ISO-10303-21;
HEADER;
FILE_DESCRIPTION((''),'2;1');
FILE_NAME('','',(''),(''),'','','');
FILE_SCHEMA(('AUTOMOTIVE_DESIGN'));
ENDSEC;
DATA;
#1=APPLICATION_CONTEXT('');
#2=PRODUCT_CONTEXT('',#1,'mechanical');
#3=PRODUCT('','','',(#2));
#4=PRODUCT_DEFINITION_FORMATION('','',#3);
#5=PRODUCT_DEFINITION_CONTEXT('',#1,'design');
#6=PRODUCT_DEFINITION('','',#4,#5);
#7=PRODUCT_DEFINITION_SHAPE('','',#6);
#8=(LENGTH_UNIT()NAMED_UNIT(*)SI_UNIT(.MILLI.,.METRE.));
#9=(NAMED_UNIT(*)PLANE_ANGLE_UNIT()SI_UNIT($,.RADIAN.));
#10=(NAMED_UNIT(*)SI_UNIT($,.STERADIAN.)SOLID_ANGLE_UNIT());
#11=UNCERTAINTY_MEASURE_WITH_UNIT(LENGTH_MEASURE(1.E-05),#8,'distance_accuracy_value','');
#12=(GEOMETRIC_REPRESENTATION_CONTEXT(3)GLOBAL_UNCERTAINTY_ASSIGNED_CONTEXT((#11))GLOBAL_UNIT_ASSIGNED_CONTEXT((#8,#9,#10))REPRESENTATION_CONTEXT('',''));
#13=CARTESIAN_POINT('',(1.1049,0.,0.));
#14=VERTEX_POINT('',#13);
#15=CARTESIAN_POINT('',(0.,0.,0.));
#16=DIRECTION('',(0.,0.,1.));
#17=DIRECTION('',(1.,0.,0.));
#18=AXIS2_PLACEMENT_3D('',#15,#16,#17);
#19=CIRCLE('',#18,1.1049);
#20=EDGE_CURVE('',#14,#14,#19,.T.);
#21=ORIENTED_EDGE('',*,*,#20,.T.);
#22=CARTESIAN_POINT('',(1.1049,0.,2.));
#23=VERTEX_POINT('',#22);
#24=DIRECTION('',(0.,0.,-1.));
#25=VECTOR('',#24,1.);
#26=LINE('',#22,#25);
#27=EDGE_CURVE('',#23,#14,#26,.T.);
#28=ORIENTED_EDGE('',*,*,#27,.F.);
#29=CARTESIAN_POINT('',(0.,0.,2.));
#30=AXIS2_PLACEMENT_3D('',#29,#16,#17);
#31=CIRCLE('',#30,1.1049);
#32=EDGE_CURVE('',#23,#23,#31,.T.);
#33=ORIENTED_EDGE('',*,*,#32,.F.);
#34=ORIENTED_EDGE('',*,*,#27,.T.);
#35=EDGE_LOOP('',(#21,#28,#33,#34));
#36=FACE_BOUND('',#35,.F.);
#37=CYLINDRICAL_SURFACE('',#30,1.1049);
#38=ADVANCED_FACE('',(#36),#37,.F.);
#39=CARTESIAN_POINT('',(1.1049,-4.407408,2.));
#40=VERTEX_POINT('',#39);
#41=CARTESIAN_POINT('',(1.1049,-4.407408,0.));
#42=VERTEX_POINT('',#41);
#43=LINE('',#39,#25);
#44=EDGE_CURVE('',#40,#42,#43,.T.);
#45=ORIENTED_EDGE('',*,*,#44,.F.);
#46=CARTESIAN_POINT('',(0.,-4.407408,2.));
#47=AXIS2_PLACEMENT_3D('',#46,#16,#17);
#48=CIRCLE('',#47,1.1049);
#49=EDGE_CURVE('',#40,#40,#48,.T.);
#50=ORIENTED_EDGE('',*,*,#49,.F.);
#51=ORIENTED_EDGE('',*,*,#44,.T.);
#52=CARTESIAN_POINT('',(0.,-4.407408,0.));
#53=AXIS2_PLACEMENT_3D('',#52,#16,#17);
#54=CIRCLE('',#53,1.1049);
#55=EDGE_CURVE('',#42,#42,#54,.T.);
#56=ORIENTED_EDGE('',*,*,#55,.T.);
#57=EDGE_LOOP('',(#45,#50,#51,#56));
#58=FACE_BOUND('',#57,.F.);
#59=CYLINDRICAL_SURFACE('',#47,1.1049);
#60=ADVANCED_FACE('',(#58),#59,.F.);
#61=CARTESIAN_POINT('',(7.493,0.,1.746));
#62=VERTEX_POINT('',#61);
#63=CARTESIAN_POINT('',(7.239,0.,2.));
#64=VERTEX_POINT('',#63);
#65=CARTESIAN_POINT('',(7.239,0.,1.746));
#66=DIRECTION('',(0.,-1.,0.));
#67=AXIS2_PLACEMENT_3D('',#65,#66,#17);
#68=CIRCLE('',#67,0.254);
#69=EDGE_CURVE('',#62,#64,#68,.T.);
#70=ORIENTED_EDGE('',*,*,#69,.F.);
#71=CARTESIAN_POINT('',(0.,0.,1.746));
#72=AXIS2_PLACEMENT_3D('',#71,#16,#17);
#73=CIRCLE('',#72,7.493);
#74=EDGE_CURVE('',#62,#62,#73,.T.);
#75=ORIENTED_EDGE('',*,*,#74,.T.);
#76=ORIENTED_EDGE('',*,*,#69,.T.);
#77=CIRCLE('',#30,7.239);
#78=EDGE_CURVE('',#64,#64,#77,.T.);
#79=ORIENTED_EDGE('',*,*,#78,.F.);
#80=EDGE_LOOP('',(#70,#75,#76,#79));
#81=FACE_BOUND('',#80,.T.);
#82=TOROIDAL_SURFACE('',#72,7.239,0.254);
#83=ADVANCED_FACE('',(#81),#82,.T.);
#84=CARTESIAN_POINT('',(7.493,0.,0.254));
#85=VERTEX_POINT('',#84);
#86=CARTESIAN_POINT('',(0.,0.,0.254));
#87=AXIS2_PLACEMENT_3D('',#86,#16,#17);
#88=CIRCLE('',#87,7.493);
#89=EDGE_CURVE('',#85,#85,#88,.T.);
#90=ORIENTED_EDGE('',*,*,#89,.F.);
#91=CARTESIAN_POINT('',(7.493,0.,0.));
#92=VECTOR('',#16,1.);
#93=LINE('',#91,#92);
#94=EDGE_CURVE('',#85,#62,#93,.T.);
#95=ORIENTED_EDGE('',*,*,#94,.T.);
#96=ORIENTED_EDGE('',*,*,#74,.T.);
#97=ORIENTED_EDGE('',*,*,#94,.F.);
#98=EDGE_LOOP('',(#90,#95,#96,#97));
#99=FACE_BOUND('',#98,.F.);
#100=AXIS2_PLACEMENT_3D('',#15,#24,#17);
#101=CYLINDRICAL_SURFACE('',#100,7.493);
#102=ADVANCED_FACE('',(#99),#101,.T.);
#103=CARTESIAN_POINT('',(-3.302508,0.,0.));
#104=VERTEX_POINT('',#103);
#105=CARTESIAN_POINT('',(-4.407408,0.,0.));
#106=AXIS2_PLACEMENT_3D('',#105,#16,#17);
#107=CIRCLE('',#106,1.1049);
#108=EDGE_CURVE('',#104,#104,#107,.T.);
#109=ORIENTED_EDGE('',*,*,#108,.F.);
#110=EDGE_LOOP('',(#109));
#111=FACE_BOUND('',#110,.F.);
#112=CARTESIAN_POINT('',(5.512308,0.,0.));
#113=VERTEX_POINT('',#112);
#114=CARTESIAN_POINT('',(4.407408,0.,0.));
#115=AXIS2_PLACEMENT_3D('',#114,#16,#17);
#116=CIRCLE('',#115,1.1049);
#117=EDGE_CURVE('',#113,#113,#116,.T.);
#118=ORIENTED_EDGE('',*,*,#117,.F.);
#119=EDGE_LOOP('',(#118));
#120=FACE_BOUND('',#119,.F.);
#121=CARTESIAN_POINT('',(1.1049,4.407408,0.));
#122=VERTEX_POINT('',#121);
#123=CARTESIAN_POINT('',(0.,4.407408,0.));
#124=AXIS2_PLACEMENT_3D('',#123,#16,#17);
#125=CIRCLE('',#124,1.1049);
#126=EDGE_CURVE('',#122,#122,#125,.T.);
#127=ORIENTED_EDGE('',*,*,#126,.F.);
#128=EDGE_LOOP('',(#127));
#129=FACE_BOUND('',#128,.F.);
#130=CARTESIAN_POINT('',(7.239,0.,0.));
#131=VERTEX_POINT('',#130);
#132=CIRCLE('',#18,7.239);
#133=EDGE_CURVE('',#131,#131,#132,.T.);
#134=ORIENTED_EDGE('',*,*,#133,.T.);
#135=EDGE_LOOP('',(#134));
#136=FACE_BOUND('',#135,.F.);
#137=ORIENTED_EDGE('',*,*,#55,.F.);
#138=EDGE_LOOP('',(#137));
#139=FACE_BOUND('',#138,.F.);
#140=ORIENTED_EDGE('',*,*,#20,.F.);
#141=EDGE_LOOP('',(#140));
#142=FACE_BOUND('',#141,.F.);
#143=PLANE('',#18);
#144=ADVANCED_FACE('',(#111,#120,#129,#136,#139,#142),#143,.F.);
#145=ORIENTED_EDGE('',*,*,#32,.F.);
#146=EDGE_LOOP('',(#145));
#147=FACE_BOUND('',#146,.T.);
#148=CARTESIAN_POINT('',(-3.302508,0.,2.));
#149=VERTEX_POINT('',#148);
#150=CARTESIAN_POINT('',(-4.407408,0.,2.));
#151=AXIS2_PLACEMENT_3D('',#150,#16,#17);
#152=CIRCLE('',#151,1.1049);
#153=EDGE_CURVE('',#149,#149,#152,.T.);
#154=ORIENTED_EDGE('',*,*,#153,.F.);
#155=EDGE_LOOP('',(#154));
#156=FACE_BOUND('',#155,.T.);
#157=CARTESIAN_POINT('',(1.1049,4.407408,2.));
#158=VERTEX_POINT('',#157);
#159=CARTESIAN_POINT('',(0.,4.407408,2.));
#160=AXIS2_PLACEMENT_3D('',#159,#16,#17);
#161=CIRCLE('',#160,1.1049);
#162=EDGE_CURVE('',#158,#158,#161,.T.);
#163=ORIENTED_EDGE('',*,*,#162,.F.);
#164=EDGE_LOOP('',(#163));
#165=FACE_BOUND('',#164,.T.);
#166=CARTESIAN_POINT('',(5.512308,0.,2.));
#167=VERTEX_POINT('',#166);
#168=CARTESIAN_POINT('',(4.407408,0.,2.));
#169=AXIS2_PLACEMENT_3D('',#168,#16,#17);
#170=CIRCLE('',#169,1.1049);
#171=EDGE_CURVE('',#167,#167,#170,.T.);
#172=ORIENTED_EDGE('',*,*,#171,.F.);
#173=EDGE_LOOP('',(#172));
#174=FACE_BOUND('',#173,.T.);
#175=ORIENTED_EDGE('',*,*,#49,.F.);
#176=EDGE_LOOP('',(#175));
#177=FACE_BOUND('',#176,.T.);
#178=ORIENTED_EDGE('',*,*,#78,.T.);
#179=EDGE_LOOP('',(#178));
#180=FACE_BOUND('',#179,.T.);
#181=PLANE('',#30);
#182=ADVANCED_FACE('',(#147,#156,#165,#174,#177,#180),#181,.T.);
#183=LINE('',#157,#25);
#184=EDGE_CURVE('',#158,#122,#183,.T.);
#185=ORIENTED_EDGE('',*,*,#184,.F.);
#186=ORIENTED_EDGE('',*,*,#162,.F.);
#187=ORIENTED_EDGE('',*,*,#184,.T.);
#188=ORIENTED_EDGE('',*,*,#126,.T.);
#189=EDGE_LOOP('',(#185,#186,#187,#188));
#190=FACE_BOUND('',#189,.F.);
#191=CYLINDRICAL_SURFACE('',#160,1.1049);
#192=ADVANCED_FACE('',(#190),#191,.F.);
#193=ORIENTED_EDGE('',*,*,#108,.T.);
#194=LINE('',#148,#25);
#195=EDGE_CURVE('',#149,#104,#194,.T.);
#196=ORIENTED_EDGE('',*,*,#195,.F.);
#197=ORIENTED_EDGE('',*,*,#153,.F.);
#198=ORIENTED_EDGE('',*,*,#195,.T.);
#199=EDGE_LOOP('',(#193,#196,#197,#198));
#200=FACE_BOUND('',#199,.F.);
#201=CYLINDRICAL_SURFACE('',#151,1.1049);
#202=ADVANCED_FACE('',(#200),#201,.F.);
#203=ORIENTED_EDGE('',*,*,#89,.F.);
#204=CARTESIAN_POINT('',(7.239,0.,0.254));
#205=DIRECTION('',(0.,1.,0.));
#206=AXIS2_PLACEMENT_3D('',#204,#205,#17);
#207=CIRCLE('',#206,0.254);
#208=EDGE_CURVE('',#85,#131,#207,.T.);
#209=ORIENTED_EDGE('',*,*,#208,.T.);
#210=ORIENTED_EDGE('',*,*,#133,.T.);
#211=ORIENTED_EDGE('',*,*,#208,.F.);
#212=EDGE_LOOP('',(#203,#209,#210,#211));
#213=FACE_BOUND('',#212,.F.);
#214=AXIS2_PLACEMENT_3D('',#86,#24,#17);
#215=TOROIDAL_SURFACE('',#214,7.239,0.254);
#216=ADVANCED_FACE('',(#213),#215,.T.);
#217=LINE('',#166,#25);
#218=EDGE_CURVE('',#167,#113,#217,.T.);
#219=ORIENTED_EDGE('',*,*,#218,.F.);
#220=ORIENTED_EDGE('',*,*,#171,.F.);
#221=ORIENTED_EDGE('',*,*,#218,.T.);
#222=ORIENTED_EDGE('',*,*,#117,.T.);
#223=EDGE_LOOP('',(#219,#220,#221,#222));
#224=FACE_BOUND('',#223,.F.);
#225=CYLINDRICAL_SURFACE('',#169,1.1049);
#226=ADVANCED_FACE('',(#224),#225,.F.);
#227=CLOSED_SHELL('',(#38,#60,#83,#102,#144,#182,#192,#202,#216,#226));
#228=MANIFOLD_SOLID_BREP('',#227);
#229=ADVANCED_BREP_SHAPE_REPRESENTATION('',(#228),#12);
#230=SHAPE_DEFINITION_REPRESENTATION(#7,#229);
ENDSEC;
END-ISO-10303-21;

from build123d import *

# Parameters (mm, degrees)
F0_R     = 7.493
F1_DEPTH = 2
F2_R     = 1.1049
F3_DEPTH = 25.4
F4_R     = 0.254


with BuildPart() as f1:
    # F0 (on Top) → F1 (new body)
    with BuildSketch(Plane.XY):
        Circle(F0_R)
    extrude(amount=F1_DEPTH)

    # F2 (on face) → F3 (cut)
    with BuildSketch(Plane.XY.offset(2)):
        with Locations((-4.407408, 0)):
            Circle(F2_R)
        Circle(F2_R)
        with Locations((0, 4.407408)):
            Circle(F2_R)
        with Locations((4.407408, 0)):
            Circle(F2_R)
        with Locations((0, -4.407408)):
            Circle(F2_R)
    extrude(amount=-F3_DEPTH, mode=Mode.SUBTRACT)

    # F4
    f4_edges = [f1.edges().sort_by_distance(p)[0] for p in [
        (-7.493, 0, 2),
        (-7.493, 0, 0),
    ]]
    fillet(f4_edges, radius=F4_R)


solid = f1.part
